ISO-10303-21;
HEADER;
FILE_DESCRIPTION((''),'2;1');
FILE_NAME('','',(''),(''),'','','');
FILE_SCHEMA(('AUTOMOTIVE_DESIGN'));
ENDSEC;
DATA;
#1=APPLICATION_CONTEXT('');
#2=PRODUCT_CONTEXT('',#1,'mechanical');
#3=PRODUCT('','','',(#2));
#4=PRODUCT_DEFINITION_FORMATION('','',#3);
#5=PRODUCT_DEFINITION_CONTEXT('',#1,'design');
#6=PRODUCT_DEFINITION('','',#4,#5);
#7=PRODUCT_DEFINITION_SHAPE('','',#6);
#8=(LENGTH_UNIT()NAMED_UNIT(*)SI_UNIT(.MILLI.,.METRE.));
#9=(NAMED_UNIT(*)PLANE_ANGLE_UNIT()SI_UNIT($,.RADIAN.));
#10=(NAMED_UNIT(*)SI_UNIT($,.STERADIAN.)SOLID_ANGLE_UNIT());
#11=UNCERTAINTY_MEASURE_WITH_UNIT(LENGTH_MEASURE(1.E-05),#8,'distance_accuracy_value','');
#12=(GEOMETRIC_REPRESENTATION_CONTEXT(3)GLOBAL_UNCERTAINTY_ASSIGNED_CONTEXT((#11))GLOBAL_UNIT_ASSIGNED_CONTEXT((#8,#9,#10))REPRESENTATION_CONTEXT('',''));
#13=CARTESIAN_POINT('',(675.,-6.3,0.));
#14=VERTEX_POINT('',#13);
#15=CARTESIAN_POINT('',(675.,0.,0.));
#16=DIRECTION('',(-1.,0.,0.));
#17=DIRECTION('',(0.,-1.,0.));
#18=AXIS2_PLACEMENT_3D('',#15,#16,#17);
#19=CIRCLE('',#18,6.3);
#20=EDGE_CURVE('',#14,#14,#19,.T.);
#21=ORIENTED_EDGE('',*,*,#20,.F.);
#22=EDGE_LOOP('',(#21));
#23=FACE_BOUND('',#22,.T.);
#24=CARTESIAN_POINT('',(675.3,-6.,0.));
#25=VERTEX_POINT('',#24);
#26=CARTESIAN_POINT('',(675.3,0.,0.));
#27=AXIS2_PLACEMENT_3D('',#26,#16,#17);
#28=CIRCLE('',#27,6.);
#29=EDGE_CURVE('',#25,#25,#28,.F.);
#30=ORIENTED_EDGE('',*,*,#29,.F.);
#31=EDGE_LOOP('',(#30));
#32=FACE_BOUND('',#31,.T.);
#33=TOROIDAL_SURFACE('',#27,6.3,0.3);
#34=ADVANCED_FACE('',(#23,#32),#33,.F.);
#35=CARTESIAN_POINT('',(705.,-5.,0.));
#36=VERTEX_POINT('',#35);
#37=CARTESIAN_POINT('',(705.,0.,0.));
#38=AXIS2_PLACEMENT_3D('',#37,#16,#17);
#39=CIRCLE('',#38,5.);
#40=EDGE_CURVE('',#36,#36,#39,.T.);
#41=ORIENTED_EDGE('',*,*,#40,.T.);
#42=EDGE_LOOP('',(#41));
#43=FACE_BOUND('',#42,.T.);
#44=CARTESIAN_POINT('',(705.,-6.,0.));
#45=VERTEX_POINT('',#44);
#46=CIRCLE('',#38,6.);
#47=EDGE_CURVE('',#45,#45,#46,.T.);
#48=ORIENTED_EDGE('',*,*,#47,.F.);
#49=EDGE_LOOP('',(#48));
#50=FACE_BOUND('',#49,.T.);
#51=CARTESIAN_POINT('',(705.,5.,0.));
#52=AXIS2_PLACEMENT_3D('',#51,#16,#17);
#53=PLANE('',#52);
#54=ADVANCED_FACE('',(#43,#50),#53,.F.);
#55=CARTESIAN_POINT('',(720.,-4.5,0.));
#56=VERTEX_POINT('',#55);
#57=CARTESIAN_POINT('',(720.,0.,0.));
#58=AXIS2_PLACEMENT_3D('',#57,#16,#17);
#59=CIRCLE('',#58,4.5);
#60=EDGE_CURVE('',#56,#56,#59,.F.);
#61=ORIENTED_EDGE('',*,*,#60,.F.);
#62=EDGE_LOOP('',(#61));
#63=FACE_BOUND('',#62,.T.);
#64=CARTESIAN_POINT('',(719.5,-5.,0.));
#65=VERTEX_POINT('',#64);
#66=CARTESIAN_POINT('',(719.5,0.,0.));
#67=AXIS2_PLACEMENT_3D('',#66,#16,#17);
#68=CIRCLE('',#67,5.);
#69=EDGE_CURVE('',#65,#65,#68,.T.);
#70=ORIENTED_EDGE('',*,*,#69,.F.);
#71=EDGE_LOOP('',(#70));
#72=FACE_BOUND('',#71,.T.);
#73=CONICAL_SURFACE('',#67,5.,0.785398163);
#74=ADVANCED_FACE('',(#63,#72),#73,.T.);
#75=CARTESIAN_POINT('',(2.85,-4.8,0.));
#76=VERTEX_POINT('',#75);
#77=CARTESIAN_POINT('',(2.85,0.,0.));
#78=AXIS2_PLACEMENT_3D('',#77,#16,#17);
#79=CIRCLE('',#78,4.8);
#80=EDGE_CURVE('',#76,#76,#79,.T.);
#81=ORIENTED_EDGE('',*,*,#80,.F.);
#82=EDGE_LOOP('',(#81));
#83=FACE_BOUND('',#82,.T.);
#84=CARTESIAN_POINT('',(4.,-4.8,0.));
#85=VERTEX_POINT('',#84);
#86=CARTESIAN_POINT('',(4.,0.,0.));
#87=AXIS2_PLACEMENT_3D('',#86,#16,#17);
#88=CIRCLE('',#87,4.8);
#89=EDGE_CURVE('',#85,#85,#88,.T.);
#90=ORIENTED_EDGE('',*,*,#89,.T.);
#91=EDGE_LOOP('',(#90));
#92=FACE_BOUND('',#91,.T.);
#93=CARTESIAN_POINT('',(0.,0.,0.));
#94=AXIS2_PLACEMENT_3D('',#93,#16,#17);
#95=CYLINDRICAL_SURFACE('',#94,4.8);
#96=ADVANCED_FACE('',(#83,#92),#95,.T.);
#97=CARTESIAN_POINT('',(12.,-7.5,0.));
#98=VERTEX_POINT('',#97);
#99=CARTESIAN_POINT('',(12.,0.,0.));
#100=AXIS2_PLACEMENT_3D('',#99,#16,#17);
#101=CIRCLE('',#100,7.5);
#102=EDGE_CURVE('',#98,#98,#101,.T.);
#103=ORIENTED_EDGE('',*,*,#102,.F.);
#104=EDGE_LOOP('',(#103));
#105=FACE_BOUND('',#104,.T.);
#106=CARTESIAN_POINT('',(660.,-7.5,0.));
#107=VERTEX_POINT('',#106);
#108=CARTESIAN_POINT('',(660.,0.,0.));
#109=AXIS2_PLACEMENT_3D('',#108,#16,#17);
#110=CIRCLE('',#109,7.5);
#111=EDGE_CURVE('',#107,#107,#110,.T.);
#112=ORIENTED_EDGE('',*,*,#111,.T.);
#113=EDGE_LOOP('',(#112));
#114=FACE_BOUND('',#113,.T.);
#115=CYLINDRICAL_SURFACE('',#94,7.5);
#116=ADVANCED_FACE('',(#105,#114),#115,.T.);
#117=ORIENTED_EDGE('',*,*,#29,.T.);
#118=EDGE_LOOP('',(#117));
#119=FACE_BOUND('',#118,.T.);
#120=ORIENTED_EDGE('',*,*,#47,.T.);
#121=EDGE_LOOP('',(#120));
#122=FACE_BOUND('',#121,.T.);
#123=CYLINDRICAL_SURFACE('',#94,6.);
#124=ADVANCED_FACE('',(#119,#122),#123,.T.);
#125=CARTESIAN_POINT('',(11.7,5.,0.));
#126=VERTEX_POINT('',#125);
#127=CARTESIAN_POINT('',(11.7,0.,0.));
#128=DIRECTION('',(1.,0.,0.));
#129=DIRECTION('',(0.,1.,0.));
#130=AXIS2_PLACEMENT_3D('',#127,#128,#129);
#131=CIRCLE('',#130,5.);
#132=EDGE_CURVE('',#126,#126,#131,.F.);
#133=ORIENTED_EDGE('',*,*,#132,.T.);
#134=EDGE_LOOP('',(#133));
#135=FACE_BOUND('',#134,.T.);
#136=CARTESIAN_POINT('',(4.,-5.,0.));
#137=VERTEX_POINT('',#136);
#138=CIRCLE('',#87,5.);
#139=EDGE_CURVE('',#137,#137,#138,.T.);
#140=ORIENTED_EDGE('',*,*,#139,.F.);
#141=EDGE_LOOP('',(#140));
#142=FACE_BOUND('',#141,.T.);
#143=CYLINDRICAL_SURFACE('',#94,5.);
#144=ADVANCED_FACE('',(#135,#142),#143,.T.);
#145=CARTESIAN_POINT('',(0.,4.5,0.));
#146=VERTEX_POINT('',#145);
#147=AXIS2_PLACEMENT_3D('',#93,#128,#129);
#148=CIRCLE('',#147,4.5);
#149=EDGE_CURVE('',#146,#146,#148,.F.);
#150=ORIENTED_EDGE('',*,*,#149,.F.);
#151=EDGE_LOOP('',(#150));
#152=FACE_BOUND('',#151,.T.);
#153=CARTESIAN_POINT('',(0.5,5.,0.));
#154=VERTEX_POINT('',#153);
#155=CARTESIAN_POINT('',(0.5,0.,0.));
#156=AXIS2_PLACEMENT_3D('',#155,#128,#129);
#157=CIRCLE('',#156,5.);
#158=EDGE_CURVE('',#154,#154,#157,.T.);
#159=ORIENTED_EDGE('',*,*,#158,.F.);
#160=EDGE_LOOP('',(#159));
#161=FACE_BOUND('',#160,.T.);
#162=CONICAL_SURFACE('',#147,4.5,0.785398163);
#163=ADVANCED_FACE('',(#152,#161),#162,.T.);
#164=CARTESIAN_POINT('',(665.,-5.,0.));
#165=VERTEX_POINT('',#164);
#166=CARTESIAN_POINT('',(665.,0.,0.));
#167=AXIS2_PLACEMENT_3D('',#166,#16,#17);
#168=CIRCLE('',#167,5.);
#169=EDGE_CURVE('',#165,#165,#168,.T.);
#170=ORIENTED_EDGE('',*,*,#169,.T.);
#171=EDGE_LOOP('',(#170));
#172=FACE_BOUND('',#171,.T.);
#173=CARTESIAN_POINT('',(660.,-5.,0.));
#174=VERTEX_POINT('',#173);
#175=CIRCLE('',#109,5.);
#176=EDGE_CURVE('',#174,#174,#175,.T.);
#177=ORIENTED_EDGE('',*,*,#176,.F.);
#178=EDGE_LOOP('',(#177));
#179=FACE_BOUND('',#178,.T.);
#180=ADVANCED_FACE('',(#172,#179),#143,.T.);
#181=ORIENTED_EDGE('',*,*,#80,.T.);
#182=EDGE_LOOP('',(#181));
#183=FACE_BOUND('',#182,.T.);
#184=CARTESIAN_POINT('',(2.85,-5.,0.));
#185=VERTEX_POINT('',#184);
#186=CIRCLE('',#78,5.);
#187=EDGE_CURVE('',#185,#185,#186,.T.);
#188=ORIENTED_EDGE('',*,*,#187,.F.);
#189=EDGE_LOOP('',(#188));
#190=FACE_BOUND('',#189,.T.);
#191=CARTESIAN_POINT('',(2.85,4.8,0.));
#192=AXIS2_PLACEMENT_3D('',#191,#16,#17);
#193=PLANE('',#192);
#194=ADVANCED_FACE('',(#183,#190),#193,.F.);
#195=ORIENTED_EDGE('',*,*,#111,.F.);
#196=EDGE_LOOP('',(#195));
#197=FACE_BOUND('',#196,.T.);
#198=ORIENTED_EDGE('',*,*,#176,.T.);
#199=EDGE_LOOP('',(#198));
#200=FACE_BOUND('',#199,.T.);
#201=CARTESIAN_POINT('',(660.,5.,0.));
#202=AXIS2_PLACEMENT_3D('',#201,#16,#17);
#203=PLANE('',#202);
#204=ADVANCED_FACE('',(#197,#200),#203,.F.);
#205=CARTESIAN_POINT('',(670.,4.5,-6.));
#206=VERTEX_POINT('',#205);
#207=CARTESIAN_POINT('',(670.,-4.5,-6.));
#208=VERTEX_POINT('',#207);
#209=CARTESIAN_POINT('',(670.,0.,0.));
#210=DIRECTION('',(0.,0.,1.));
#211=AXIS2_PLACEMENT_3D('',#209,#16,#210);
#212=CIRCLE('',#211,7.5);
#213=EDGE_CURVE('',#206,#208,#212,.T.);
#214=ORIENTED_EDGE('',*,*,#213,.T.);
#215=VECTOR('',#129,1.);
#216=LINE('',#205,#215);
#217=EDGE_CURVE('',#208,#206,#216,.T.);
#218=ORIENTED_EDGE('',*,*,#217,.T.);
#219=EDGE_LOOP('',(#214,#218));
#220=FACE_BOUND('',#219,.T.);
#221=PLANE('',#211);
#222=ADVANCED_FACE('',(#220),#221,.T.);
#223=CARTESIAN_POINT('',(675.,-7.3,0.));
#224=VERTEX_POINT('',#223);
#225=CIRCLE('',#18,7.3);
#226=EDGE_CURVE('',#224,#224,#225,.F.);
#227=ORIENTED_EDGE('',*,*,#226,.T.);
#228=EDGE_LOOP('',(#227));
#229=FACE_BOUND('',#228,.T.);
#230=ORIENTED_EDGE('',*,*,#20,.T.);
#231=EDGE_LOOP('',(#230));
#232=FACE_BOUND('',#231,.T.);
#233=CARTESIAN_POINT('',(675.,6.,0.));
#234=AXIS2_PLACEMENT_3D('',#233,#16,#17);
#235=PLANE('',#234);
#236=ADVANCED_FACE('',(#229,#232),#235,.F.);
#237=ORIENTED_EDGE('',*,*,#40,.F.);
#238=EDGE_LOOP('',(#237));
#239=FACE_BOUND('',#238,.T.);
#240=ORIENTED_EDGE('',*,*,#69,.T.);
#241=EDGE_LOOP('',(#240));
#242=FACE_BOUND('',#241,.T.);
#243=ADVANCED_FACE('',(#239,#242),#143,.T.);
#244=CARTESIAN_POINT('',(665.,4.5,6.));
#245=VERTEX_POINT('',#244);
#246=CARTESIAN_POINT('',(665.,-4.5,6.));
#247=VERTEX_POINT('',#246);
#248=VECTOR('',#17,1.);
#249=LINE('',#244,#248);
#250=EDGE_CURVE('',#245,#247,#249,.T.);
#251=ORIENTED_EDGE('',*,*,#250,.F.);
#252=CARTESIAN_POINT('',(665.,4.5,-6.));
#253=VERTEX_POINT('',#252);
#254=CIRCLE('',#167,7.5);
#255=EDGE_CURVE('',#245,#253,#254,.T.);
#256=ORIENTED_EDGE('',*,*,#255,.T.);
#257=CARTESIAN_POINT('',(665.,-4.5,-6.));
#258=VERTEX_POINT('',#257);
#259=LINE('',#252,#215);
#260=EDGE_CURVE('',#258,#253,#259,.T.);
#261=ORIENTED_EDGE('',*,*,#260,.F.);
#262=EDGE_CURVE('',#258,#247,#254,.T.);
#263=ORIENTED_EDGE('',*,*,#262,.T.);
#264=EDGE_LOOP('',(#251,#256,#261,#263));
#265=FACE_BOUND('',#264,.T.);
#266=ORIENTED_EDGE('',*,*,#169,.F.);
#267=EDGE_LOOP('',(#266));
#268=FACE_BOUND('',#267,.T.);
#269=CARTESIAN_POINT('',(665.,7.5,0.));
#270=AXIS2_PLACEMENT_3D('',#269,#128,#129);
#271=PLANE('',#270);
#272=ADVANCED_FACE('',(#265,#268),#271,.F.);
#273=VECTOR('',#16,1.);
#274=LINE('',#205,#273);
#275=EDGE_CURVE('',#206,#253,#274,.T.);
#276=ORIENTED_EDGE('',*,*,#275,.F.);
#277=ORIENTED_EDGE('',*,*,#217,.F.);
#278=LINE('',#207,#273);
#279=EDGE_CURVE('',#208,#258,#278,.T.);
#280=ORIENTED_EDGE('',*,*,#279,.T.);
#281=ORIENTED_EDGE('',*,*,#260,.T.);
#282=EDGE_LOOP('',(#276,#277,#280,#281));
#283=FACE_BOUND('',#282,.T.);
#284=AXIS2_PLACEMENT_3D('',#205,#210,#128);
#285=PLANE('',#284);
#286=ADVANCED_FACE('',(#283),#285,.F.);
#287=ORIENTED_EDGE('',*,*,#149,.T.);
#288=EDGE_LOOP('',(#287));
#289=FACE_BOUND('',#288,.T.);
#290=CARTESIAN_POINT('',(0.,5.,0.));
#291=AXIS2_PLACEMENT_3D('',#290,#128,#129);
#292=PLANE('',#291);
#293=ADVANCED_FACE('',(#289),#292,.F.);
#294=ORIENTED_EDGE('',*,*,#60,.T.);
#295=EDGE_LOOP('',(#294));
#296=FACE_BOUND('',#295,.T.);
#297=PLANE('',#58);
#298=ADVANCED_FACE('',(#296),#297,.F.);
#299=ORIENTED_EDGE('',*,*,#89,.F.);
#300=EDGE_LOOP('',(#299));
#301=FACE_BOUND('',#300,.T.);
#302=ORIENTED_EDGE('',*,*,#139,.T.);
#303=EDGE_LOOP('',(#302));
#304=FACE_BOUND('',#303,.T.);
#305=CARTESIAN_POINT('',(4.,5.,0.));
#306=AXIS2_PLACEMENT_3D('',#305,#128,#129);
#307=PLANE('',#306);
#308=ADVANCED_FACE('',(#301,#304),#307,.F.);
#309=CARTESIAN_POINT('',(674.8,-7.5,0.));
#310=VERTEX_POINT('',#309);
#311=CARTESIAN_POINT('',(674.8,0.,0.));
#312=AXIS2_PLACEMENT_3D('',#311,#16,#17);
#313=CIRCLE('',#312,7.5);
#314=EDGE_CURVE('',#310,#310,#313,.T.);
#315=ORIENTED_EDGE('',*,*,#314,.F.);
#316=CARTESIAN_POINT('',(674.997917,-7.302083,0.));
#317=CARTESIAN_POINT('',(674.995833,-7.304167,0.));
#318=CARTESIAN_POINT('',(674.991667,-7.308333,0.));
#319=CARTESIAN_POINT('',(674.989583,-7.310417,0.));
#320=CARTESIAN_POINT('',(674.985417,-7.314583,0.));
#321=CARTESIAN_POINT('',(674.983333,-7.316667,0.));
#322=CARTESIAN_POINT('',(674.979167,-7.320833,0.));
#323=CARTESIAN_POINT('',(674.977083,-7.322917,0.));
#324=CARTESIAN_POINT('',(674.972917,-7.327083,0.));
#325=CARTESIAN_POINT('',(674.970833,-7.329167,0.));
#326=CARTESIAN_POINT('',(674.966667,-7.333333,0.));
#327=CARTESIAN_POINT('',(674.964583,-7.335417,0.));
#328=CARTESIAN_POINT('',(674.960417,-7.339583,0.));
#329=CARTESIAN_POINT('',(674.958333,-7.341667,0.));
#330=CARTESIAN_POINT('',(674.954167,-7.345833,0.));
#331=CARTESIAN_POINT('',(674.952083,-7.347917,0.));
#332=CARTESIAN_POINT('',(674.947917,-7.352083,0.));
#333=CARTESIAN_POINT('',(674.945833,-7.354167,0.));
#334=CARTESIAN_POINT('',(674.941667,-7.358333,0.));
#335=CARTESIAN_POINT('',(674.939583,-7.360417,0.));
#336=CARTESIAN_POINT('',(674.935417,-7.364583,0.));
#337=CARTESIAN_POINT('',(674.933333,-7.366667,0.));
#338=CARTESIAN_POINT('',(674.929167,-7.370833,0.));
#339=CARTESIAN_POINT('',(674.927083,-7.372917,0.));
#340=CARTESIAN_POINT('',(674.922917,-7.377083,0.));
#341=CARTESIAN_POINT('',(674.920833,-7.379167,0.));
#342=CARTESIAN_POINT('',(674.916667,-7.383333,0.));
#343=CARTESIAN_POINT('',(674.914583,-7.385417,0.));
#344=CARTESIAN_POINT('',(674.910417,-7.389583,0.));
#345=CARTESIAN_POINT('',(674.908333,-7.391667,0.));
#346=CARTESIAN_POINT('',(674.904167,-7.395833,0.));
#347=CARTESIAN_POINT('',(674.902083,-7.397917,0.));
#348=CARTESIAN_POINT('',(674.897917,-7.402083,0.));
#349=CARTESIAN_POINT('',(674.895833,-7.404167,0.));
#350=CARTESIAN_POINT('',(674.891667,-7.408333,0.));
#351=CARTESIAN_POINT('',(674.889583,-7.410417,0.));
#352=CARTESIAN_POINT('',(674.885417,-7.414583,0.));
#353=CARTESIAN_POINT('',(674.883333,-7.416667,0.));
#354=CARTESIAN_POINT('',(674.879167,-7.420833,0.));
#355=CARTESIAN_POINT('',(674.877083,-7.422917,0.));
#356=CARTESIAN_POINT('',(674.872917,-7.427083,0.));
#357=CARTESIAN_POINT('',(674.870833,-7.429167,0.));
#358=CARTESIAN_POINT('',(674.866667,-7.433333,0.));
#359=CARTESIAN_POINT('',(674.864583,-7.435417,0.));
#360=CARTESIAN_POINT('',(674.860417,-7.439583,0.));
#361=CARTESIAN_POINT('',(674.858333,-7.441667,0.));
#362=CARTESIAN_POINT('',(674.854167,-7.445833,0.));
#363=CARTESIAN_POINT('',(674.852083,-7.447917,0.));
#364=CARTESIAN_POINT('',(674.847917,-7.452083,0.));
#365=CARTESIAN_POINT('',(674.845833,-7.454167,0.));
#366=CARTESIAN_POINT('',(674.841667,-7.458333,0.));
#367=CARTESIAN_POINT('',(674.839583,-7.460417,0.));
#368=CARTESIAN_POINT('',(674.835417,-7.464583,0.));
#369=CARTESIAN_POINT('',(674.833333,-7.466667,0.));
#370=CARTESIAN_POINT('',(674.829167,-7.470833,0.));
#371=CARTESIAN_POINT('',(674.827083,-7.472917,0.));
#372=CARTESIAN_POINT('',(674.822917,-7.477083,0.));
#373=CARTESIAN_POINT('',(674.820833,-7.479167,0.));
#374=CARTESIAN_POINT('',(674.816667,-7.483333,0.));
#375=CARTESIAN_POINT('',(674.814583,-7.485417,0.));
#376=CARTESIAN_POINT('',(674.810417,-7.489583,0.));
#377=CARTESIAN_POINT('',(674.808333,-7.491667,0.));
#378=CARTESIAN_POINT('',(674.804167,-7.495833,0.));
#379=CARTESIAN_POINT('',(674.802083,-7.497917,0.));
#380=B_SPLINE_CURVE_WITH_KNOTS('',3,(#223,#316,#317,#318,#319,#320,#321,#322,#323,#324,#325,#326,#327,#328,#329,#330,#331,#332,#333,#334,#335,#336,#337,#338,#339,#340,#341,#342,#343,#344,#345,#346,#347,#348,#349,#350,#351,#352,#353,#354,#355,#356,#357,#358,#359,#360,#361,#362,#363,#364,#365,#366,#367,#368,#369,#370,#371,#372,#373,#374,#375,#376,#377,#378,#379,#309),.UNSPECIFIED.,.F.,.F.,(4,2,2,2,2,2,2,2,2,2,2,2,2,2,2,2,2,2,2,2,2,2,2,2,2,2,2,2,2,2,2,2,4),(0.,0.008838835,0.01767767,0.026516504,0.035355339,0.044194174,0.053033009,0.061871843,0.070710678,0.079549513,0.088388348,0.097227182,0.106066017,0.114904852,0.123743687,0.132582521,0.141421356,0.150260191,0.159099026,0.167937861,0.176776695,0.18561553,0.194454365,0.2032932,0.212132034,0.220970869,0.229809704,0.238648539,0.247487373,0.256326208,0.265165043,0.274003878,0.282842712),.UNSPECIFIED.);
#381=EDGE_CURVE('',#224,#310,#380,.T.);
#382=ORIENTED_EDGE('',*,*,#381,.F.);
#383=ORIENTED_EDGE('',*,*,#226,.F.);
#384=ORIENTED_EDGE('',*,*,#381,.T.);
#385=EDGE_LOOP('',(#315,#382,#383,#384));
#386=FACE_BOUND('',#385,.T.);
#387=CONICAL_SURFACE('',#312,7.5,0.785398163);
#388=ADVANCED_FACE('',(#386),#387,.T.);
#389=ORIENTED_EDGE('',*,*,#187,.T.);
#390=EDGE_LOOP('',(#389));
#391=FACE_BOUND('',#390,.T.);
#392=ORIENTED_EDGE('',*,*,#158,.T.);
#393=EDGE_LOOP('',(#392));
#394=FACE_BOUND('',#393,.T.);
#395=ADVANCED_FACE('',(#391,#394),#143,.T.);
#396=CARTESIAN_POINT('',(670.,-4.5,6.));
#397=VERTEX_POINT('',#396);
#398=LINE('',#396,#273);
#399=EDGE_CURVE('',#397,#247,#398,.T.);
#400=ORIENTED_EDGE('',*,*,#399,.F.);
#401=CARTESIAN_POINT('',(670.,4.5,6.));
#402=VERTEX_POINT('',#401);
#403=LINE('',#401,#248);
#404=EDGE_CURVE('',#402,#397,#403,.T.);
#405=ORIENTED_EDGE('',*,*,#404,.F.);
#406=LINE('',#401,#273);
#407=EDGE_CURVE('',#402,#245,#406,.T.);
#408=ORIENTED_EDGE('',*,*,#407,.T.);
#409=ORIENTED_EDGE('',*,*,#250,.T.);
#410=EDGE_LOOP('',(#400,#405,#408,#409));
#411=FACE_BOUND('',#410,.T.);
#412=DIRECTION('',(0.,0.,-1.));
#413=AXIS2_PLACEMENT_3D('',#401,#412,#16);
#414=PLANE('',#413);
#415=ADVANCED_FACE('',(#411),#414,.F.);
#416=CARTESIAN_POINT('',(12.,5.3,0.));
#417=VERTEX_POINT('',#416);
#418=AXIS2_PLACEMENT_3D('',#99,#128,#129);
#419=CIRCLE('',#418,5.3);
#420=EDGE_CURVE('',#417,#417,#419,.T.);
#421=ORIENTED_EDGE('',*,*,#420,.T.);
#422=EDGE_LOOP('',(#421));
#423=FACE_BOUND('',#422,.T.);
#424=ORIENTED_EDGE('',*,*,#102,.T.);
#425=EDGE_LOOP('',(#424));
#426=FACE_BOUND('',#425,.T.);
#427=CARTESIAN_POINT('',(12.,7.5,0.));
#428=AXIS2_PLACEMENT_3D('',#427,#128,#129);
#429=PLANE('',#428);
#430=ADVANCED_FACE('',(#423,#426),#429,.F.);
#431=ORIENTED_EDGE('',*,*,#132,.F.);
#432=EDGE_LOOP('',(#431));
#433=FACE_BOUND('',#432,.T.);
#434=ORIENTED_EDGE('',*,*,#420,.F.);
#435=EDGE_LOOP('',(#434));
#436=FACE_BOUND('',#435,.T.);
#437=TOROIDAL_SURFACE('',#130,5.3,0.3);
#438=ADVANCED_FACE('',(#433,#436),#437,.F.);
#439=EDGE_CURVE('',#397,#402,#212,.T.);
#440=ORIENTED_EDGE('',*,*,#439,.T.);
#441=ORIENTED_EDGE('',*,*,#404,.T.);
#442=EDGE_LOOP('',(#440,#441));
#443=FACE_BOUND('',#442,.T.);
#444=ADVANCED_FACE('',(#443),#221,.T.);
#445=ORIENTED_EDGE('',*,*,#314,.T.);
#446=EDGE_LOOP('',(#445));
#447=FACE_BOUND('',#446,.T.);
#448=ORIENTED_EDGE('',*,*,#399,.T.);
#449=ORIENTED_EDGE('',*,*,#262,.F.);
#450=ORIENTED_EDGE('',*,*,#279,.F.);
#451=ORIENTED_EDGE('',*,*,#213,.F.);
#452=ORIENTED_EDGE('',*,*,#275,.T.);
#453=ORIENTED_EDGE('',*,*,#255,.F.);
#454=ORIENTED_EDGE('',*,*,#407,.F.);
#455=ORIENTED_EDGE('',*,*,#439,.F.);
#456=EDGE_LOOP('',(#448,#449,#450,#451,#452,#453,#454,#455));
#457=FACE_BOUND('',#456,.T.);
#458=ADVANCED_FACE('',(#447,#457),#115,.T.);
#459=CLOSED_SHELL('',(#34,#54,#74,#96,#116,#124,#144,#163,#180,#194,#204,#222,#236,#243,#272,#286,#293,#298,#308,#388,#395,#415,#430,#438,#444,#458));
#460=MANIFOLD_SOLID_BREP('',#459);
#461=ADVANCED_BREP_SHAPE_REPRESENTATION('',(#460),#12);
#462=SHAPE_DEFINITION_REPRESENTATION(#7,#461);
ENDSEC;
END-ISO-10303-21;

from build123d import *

# Parameters (mm, degrees)
FILLET1_R          = 0.3
CHAMFER1_SIZE      = 0.5
CHAMFER2_SIZE      = 0.2
CUT_EXTRUDE1_DEPTH = 5


with BuildPart() as part:
    # Sketch1 → Revolve1 (revolve)
    with BuildSketch(Plane.XY):
        Polygon((675, 7.5), (665, 7.5), (665, 5), (660, 5), (660, 7.5), (12, 7.5), (12, 5), (4, 5), (4, 4.8), (2.85, 4.8), (2.85, 5), (0, 5), (0, 0), (720, 0), (720, 5), (705, 5), (705, 6), (675, 6), align=None)
    revolve(axis=Axis((0, 0, 0), (1, 0, 0)))

    # Fillet1
    fillet1_edges = [part.edges().sort_by_distance(p)[0] for p in [
        (12, -5, 0),
        (675, -6, 0),
    ]]
    fillet(fillet1_edges, radius=FILLET1_R)

    # Chamfer1
    chamfer1_edges = [part.edges().sort_by_distance(p)[0] for p in [
        (720, -5, 0),
        (0, -5, 0),
    ]]
    chamfer(chamfer1_edges, length=CHAMFER1_SIZE)

    # Chamfer2
    chamfer2_edges = [part.edges().sort_by_distance(p)[0] for p in [
        (675, -7.5, 0),
    ]]
    chamfer(chamfer2_edges, length=CHAMFER2_SIZE)

    # Sketch2 → Cut-Extrude1 (cut)
    with BuildSketch(Plane.ZY.offset(-665)):
        with BuildLine():
            Line((-6, 4.5), (-6, -4.5))
            ThreePointArc((-6, -4.5), (-7.5, 0), (-6, 4.5))
        make_face()
        with BuildLine():
            Line((6, 4.5), (6, -4.5))
            ThreePointArc((6, -4.5), (7.5, 0), (6, 4.5))
        make_face()
    extrude(amount=-CUT_EXTRUDE1_DEPTH, mode=Mode.SUBTRACT)


solid = part.part
